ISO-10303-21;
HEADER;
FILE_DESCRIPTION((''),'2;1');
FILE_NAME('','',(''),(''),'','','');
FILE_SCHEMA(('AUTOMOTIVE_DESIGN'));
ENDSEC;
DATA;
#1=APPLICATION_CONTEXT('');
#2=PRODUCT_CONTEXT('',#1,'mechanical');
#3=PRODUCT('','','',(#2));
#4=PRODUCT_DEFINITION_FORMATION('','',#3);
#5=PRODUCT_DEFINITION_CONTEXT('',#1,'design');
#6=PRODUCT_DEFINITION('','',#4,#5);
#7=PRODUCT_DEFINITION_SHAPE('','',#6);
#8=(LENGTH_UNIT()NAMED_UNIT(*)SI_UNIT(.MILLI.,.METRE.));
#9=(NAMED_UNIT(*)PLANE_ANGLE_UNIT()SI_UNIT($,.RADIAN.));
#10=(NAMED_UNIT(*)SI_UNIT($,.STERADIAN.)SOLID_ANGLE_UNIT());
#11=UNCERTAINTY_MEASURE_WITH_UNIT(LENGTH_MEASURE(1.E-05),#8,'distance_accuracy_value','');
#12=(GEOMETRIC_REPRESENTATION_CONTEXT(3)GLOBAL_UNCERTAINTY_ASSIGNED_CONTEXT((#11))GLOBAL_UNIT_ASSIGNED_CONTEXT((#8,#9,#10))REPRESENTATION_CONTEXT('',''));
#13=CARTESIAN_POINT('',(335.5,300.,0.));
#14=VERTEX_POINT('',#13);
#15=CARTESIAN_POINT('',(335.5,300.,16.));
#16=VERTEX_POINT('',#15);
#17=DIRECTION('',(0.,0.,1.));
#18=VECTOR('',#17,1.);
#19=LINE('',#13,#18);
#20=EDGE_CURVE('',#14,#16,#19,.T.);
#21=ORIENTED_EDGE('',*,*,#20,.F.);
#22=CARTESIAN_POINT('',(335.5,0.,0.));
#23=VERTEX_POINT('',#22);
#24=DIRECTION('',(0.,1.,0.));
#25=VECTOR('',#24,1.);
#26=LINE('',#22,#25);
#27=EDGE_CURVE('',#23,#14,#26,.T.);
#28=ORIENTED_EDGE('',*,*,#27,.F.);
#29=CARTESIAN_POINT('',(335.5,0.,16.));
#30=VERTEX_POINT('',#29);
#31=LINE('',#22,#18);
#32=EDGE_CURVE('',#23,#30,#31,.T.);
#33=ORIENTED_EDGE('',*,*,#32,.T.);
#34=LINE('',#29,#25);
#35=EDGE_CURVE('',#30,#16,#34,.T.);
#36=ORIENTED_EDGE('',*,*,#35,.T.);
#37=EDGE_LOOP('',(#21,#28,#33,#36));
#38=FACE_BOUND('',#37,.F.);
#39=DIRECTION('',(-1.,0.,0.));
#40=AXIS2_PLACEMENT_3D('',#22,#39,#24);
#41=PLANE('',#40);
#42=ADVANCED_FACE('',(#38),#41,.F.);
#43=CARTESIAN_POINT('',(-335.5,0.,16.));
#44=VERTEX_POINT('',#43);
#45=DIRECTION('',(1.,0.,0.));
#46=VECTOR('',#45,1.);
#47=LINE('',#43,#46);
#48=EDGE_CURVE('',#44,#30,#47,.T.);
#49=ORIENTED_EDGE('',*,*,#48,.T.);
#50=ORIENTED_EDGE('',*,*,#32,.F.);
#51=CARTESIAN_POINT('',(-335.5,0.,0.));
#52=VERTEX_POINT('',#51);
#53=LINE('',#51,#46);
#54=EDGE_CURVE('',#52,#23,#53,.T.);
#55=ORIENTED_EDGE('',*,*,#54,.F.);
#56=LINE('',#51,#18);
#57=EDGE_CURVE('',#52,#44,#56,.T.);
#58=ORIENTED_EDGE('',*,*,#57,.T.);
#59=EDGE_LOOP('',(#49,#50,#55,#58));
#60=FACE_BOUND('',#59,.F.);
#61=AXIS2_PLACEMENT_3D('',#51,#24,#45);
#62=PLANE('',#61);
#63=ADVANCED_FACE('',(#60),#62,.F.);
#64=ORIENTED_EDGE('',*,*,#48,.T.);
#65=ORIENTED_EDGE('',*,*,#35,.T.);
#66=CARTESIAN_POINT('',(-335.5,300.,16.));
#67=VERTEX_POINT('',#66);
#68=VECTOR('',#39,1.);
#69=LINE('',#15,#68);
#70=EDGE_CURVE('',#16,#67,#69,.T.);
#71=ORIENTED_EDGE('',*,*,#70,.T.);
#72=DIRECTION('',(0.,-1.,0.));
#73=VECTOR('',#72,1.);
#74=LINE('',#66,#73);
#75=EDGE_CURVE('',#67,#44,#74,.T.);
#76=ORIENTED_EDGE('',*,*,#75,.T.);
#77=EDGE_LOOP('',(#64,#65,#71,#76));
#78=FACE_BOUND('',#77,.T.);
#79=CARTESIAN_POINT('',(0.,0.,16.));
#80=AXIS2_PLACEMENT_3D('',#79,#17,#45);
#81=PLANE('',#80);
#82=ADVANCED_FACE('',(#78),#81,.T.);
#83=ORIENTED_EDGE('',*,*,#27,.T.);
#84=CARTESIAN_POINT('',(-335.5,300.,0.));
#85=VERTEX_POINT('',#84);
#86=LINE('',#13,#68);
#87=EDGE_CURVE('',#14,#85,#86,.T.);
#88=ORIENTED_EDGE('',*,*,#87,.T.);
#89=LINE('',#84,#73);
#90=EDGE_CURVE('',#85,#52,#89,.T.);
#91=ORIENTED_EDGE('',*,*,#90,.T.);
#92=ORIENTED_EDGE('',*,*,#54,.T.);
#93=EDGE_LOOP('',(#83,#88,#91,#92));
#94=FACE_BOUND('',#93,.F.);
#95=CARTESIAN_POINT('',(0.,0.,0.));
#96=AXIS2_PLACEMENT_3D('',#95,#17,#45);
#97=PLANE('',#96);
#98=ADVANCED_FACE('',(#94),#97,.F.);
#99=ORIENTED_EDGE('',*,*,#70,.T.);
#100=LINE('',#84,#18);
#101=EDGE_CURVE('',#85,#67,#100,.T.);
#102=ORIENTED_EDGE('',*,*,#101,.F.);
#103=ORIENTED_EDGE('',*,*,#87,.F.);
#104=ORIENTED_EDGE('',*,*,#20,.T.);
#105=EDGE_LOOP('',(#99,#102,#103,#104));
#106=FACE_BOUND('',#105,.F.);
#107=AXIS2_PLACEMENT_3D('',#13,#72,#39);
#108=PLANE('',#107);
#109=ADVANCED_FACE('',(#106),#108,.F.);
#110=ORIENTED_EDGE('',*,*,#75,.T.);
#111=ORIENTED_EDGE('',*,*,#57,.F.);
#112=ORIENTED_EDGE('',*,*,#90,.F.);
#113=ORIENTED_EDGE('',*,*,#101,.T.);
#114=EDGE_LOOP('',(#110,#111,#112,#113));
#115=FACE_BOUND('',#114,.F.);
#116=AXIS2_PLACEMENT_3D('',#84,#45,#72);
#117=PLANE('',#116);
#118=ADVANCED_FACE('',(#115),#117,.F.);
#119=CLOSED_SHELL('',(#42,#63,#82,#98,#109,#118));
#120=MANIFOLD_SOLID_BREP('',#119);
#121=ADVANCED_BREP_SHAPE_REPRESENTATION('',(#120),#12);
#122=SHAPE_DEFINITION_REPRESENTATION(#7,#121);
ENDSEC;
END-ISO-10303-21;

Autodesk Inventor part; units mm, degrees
ref_plane "YZ Plane" through (0, 0, 0) normal (1, 0, 0) x (0, 1, 0)
ref_plane "XZ Plane" through (0, 0, 0) normal (0, 1, 0) x (-1, 0, 0)
ref_plane "XY Plane" through (0, 0, 0) normal (0, 0, 1) x (1, 0, 0)
sketch "Эскиз1" plane through (0, 0, 0) normal (0, 0, 1) x (1, 0, 0)
  line L0 (-335.5, 0) -> (335.5, 0)
  line L1 (335.5, 0) -> (335.5, 300)
  line L2 (335.5, 300) -> (-335.5, 300)
  line L3 (-335.5, 300) -> (-335.5, 0)
  point P0 (0, 0)
  point P1 (0, 0)
  dimension "d0" = 671
  dimension "d1" = 300
extrude "Выдавливание1" add sketch "Эскиз1" along normal blind 16
sketch "Эскиз2" plane through (0, 0, 0) normal (0, 0, -1) x (-1, 0, 0)
  line L0 (-335.5, 300) -> (335.5, 300) construction
  line L1 (335.5, 300) -> (335.5, 250) construction
  line L2 (335.5, 250) -> (-335.5, 250) construction
  line L3 (-335.5, 250) -> (-335.5, 300) construction
  point P0 (0, 0)
  dimension "d4" = 671
  dimension "d5" = 50
properties part number "стенка"
